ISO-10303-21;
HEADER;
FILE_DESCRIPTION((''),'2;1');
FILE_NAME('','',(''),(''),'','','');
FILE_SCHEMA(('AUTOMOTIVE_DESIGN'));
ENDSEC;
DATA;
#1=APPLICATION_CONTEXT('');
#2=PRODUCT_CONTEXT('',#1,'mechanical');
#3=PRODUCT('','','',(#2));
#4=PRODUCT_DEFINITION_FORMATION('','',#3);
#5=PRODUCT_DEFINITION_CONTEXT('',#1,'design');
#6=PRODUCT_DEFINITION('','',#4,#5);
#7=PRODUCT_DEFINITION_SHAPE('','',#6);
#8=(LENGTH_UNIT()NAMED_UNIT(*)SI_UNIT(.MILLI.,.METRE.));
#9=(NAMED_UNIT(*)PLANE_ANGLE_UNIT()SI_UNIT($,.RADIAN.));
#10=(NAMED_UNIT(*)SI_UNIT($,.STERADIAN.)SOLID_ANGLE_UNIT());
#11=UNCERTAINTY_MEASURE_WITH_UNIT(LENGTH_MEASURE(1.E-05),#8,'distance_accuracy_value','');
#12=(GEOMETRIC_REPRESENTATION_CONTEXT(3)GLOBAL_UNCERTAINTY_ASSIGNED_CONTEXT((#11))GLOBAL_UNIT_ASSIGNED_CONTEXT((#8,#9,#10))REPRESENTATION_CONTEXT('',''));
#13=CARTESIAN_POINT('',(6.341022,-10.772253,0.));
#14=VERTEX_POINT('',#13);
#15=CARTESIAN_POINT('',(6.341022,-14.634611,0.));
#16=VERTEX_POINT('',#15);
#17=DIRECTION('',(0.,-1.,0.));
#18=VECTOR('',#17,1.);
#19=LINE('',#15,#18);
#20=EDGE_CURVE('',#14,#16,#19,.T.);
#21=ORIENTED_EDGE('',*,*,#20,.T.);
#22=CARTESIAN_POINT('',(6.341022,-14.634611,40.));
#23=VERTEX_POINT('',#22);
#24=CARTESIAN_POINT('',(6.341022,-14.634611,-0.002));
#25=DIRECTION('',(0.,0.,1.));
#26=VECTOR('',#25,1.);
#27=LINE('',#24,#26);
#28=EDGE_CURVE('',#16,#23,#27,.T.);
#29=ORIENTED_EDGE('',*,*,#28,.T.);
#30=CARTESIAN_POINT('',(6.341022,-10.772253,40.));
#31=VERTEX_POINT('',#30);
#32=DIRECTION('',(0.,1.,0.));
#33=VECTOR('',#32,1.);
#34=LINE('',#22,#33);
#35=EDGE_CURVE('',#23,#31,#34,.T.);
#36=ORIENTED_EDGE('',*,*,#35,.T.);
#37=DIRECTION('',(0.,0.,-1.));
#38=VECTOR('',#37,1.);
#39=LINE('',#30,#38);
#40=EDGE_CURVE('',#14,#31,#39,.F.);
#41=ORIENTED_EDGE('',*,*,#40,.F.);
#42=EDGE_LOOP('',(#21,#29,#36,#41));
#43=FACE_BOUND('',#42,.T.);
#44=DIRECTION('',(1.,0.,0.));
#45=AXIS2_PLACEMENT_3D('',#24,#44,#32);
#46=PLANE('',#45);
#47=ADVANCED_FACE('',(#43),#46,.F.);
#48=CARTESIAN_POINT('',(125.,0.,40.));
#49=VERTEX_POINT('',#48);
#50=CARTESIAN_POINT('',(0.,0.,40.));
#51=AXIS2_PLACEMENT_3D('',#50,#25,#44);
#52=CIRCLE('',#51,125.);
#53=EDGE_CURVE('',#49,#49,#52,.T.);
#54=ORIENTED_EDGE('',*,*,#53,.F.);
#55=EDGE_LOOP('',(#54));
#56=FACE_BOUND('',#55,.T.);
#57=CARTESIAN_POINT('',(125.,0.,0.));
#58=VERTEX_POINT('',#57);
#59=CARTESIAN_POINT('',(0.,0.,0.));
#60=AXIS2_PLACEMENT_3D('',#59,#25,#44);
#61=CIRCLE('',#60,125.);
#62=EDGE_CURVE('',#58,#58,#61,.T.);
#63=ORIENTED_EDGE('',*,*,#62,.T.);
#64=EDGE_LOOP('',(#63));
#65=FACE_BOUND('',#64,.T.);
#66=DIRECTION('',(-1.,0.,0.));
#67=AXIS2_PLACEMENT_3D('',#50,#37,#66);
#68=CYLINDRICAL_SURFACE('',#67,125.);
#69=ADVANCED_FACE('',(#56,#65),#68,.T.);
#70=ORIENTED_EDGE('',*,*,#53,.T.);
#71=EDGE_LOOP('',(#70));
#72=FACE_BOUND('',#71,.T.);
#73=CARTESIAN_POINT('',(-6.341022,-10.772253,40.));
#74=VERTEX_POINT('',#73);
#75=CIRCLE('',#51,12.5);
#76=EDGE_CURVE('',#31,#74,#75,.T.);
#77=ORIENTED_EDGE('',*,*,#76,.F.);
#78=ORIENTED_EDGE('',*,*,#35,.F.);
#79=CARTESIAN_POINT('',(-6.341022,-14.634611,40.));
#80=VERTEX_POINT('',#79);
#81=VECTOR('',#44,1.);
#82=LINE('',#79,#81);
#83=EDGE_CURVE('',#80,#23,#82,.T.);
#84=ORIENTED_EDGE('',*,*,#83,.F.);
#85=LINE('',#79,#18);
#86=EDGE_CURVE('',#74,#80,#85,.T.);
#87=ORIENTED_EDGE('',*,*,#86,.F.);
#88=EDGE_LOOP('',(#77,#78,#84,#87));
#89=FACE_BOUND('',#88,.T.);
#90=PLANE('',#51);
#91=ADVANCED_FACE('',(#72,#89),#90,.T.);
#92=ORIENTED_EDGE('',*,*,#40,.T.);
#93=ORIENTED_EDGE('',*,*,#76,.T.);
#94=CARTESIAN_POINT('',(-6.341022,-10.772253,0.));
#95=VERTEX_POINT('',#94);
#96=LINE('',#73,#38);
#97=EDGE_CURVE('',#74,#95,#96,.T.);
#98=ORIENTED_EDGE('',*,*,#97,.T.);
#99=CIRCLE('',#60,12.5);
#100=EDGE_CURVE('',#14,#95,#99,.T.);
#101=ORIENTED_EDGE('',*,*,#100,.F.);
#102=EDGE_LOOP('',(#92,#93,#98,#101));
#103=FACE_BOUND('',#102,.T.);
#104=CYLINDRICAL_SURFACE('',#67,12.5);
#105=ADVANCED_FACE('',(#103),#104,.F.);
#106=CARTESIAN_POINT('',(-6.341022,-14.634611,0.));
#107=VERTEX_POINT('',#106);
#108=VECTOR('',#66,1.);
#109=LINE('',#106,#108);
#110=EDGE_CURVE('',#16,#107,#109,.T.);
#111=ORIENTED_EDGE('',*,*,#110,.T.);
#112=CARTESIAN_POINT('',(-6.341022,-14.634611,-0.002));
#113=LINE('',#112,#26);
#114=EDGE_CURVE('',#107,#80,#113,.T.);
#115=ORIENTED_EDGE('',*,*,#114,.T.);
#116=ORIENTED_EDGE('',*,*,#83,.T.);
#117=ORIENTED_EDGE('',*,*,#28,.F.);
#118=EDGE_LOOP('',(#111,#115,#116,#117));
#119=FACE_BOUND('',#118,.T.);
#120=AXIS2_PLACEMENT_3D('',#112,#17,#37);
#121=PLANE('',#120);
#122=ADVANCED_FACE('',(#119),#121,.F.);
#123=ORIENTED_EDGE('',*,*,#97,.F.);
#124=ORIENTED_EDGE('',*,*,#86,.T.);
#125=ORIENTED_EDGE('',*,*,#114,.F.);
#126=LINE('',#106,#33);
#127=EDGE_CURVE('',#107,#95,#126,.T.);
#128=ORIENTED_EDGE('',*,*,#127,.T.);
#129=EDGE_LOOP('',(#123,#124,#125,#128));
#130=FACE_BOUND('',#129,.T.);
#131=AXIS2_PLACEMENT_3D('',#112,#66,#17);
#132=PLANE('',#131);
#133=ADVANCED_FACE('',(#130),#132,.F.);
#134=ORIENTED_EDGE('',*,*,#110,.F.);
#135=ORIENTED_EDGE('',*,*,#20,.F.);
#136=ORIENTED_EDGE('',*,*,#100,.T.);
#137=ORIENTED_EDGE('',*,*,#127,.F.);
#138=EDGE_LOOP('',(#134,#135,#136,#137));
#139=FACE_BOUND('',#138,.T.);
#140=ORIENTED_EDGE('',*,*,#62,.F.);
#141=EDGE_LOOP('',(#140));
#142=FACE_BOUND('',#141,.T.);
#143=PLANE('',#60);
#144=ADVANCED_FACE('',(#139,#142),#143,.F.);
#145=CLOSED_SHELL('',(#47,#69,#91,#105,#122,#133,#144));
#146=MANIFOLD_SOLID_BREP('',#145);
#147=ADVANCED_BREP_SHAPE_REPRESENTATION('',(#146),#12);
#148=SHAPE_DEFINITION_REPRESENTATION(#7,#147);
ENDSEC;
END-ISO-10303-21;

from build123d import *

# Parameters (mm, degrees)
SKETCH1_R           = 125
SKETCH1_R_2         = 12.5
BOSS_EXTRUDE1_DEPTH = 40
CUT_EXTRUDE1_REACH  = 183.246
SKETCH2_W           = 12.682043214
SKETCH2_H           = 5.67447182


with BuildPart() as part:
    # Sketch1 → Boss-Extrude1 (new body)
    with BuildSketch(Plane.XY):
        Circle(SKETCH1_R)
        Circle(SKETCH1_R_2, mode=Mode.SUBTRACT)
    extrude(amount=BOSS_EXTRUDE1_DEPTH)

    # Sketch2 → Cut-Extrude1 (cut, up to next)
    with BuildSketch(Plane.XY.offset(40), mode=Mode.PRIVATE) as cut_extrude1_sk1:
        with Locations((0, -11.797375137)):
            Rectangle(SKETCH2_W, SKETCH2_H)
    cut_extrude1_tool1 = extrude(cut_extrude1_sk1.sketch, amount=-CUT_EXTRUDE1_REACH, mode=Mode.PRIVATE) & part.part
    add(cut_extrude1_tool1.solids().sort_by_distance((0, -11.797375, 40))[0], mode=Mode.SUBTRACT)


solid = part.part
